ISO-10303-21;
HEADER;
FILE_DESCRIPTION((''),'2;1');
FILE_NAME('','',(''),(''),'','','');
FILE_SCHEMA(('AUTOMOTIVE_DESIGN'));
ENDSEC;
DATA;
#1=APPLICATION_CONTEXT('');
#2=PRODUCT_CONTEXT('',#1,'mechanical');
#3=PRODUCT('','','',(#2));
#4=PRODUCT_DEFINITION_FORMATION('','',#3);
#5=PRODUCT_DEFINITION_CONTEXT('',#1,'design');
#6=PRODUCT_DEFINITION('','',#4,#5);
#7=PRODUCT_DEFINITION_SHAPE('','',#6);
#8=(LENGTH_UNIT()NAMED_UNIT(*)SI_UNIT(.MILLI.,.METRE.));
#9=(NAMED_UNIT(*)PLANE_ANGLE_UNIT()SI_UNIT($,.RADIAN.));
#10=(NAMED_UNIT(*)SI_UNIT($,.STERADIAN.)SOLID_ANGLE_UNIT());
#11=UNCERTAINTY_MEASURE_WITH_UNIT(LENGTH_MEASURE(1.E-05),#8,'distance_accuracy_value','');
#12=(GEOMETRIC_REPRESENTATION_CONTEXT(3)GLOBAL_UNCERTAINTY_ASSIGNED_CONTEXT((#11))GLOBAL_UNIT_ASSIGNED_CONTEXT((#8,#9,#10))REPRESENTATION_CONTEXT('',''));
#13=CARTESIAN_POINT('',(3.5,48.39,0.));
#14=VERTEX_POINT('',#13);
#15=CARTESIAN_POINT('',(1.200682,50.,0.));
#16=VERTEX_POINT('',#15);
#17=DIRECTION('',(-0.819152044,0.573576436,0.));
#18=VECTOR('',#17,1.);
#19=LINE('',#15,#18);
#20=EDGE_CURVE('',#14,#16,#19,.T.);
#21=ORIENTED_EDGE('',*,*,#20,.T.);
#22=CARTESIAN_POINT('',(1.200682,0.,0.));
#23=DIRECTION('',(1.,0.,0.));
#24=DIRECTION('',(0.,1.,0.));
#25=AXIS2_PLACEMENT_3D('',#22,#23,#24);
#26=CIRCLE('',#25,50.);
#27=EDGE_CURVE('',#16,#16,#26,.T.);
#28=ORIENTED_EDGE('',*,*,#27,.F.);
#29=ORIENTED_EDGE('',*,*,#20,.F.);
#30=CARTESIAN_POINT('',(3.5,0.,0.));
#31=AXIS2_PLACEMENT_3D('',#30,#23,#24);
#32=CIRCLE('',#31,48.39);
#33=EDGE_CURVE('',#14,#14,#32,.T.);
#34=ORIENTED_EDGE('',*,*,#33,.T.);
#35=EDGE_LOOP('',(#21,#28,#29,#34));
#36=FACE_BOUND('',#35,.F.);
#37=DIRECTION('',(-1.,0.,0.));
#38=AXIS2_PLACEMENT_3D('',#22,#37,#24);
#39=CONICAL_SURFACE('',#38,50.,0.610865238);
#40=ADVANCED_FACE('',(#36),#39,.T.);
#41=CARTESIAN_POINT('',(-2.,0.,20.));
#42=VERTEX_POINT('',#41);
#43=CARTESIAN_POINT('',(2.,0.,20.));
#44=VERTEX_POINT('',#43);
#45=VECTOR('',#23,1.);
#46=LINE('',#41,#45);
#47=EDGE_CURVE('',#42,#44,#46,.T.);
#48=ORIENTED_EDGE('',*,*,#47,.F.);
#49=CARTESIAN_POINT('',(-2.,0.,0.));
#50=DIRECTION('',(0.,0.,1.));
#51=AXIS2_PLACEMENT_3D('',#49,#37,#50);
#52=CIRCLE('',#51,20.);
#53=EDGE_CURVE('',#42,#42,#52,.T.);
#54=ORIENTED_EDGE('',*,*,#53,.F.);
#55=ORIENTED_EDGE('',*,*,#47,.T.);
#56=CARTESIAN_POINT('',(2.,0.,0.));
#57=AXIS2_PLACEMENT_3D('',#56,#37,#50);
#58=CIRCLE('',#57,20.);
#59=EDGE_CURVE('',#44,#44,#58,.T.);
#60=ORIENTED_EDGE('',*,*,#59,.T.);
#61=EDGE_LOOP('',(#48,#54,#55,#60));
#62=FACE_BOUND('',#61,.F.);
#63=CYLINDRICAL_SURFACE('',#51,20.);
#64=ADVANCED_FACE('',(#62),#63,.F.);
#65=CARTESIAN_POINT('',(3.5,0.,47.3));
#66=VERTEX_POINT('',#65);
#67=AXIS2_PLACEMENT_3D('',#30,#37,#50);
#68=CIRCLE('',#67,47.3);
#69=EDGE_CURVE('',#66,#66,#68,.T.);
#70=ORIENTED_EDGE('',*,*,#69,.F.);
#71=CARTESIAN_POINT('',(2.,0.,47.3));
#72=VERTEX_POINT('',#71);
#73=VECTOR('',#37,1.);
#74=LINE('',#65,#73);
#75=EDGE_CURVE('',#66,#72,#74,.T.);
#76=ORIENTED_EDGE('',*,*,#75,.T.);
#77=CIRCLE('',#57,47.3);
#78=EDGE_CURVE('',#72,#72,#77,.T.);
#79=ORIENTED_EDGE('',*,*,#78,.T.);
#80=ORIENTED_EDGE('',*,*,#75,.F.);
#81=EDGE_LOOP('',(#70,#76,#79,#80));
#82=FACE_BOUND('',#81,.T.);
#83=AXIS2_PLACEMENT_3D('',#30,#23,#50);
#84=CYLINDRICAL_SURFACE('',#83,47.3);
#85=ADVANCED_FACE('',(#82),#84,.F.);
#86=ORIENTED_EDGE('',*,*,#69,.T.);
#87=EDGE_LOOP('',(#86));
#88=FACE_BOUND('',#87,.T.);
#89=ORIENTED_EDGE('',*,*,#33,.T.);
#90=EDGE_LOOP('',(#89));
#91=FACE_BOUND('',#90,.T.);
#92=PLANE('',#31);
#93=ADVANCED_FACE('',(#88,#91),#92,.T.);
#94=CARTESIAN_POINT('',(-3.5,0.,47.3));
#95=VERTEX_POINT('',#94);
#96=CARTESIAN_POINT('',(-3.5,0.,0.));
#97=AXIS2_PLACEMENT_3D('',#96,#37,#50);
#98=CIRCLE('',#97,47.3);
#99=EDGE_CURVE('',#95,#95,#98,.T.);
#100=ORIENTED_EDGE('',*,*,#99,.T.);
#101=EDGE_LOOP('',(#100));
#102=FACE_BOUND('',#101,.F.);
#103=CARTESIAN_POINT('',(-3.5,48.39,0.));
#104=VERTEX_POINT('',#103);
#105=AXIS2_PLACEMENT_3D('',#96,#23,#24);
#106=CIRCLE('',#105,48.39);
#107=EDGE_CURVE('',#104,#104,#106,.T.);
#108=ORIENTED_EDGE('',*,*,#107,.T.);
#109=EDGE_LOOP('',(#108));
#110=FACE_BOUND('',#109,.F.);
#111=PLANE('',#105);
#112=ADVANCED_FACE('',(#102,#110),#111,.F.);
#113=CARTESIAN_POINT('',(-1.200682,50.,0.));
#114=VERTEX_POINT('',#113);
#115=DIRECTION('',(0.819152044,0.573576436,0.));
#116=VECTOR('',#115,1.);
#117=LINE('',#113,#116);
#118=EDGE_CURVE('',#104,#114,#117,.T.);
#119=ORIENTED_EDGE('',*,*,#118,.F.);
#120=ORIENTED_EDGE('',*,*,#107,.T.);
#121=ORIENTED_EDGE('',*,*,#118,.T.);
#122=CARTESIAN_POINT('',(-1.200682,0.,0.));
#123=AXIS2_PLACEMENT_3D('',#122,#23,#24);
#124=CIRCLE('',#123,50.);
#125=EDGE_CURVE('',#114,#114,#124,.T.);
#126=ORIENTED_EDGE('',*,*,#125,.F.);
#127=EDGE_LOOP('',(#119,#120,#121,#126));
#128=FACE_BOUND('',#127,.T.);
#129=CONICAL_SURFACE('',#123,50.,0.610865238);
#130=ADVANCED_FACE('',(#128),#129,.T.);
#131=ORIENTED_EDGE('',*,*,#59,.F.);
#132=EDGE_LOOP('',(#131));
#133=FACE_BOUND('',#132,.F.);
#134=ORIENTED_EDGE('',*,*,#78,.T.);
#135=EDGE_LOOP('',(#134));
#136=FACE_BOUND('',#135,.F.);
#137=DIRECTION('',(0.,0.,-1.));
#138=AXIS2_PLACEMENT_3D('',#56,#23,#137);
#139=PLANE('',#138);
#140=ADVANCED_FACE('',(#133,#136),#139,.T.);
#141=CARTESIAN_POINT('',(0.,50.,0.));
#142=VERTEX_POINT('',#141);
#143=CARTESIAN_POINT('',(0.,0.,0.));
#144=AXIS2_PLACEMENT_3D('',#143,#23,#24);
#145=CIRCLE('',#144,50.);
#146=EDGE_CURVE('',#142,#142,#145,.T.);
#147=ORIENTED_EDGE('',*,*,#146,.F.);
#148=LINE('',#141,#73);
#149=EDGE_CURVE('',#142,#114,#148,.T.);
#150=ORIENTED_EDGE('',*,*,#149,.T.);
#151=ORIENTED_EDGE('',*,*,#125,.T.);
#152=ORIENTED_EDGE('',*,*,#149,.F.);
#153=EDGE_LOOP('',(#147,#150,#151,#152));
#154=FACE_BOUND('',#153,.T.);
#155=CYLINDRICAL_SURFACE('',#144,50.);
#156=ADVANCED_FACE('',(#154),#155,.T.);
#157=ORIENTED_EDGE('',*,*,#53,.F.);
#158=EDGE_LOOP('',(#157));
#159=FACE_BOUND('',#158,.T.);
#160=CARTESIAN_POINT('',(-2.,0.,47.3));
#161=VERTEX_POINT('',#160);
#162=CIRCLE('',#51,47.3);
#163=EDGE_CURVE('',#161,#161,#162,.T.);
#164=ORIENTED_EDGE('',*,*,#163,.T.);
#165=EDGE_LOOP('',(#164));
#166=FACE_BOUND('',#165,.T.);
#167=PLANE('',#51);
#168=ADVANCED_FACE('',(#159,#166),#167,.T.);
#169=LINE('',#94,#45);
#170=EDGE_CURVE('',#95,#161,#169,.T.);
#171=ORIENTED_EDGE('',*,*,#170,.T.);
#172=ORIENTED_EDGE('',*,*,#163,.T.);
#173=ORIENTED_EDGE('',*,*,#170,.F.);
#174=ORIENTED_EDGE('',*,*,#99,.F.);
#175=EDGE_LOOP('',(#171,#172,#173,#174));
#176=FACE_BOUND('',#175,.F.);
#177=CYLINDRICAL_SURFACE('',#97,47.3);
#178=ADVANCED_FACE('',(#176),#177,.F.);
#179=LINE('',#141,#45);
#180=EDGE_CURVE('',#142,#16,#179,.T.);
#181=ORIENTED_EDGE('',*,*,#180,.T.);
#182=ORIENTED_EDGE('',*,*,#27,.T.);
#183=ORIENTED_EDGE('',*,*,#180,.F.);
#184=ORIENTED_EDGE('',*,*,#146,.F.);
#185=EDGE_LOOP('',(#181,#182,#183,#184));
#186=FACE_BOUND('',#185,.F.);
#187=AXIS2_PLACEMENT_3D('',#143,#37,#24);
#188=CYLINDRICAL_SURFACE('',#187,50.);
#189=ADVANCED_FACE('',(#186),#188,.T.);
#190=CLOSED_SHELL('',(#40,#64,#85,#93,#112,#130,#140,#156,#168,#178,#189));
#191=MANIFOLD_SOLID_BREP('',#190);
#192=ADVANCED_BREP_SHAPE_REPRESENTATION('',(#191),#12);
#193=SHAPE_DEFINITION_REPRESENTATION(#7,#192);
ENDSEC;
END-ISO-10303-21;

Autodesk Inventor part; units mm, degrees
ref_plane "YZ Plane" through (0, 0, 0) normal (1, 0, 0) x (0, 1, 0)
ref_plane "XZ Plane" through (0, 0, 0) normal (0, 1, 0) x (-1, 0, 0)
ref_plane "XY Plane" through (0, 0, 0) normal (0, 0, 1) x (1, 0, 0)
sketch "Sketch1" plane through (0, 0, 0) normal (1, 0, 0) x (0, 1, 0)
  circle A0 centre (0, 0) radius 50
  dimension "d0" = 100
extrude "Extrusion1" add sketch "Sketch1" along normal mid plane 7
sketch "Sketch2" plane through (-3.5, 0, 0) normal (-1, 0, 0) x (0, 0, 1)
  circle A0 centre (0, 0) radius 50 projected
  circle A1 centre (0, 0) radius 47.3
  dimension "d4" = 47.3
extrude "Extrusion2" cut sketch "Sketch2" against normal blind 1.5 contours A1
mirror "Mirror1" about plane through (0, 0, 0) normal (1, 0, 0) of "Extrusion2"
chamfer "Chamfer1" distance 1.61 angle 55 1 edges at (3.5, -50, 0) measured on face at (3.5, 0, -48.0382)
sketch "Sketch3" plane through (-2, 0, 0) normal (-1, 0, 0) x (0, 0, 1)
  circle A0 centre (0, 0) radius 20
  dimension "d10" = 40
extrude "Extrusion3" cut sketch "Sketch3" against normal through all
chamfer "Chamfer2" distance 1.61 angle 55 1 edges at (-3.5, -50, 0) measured on face at (-3.5, 0, -48.0382)
equation "\"d13\" = d7"
equation "\"d7\" = 1.61"
properties part number "Clamex grooving Tool" material "Stainless Steel"
